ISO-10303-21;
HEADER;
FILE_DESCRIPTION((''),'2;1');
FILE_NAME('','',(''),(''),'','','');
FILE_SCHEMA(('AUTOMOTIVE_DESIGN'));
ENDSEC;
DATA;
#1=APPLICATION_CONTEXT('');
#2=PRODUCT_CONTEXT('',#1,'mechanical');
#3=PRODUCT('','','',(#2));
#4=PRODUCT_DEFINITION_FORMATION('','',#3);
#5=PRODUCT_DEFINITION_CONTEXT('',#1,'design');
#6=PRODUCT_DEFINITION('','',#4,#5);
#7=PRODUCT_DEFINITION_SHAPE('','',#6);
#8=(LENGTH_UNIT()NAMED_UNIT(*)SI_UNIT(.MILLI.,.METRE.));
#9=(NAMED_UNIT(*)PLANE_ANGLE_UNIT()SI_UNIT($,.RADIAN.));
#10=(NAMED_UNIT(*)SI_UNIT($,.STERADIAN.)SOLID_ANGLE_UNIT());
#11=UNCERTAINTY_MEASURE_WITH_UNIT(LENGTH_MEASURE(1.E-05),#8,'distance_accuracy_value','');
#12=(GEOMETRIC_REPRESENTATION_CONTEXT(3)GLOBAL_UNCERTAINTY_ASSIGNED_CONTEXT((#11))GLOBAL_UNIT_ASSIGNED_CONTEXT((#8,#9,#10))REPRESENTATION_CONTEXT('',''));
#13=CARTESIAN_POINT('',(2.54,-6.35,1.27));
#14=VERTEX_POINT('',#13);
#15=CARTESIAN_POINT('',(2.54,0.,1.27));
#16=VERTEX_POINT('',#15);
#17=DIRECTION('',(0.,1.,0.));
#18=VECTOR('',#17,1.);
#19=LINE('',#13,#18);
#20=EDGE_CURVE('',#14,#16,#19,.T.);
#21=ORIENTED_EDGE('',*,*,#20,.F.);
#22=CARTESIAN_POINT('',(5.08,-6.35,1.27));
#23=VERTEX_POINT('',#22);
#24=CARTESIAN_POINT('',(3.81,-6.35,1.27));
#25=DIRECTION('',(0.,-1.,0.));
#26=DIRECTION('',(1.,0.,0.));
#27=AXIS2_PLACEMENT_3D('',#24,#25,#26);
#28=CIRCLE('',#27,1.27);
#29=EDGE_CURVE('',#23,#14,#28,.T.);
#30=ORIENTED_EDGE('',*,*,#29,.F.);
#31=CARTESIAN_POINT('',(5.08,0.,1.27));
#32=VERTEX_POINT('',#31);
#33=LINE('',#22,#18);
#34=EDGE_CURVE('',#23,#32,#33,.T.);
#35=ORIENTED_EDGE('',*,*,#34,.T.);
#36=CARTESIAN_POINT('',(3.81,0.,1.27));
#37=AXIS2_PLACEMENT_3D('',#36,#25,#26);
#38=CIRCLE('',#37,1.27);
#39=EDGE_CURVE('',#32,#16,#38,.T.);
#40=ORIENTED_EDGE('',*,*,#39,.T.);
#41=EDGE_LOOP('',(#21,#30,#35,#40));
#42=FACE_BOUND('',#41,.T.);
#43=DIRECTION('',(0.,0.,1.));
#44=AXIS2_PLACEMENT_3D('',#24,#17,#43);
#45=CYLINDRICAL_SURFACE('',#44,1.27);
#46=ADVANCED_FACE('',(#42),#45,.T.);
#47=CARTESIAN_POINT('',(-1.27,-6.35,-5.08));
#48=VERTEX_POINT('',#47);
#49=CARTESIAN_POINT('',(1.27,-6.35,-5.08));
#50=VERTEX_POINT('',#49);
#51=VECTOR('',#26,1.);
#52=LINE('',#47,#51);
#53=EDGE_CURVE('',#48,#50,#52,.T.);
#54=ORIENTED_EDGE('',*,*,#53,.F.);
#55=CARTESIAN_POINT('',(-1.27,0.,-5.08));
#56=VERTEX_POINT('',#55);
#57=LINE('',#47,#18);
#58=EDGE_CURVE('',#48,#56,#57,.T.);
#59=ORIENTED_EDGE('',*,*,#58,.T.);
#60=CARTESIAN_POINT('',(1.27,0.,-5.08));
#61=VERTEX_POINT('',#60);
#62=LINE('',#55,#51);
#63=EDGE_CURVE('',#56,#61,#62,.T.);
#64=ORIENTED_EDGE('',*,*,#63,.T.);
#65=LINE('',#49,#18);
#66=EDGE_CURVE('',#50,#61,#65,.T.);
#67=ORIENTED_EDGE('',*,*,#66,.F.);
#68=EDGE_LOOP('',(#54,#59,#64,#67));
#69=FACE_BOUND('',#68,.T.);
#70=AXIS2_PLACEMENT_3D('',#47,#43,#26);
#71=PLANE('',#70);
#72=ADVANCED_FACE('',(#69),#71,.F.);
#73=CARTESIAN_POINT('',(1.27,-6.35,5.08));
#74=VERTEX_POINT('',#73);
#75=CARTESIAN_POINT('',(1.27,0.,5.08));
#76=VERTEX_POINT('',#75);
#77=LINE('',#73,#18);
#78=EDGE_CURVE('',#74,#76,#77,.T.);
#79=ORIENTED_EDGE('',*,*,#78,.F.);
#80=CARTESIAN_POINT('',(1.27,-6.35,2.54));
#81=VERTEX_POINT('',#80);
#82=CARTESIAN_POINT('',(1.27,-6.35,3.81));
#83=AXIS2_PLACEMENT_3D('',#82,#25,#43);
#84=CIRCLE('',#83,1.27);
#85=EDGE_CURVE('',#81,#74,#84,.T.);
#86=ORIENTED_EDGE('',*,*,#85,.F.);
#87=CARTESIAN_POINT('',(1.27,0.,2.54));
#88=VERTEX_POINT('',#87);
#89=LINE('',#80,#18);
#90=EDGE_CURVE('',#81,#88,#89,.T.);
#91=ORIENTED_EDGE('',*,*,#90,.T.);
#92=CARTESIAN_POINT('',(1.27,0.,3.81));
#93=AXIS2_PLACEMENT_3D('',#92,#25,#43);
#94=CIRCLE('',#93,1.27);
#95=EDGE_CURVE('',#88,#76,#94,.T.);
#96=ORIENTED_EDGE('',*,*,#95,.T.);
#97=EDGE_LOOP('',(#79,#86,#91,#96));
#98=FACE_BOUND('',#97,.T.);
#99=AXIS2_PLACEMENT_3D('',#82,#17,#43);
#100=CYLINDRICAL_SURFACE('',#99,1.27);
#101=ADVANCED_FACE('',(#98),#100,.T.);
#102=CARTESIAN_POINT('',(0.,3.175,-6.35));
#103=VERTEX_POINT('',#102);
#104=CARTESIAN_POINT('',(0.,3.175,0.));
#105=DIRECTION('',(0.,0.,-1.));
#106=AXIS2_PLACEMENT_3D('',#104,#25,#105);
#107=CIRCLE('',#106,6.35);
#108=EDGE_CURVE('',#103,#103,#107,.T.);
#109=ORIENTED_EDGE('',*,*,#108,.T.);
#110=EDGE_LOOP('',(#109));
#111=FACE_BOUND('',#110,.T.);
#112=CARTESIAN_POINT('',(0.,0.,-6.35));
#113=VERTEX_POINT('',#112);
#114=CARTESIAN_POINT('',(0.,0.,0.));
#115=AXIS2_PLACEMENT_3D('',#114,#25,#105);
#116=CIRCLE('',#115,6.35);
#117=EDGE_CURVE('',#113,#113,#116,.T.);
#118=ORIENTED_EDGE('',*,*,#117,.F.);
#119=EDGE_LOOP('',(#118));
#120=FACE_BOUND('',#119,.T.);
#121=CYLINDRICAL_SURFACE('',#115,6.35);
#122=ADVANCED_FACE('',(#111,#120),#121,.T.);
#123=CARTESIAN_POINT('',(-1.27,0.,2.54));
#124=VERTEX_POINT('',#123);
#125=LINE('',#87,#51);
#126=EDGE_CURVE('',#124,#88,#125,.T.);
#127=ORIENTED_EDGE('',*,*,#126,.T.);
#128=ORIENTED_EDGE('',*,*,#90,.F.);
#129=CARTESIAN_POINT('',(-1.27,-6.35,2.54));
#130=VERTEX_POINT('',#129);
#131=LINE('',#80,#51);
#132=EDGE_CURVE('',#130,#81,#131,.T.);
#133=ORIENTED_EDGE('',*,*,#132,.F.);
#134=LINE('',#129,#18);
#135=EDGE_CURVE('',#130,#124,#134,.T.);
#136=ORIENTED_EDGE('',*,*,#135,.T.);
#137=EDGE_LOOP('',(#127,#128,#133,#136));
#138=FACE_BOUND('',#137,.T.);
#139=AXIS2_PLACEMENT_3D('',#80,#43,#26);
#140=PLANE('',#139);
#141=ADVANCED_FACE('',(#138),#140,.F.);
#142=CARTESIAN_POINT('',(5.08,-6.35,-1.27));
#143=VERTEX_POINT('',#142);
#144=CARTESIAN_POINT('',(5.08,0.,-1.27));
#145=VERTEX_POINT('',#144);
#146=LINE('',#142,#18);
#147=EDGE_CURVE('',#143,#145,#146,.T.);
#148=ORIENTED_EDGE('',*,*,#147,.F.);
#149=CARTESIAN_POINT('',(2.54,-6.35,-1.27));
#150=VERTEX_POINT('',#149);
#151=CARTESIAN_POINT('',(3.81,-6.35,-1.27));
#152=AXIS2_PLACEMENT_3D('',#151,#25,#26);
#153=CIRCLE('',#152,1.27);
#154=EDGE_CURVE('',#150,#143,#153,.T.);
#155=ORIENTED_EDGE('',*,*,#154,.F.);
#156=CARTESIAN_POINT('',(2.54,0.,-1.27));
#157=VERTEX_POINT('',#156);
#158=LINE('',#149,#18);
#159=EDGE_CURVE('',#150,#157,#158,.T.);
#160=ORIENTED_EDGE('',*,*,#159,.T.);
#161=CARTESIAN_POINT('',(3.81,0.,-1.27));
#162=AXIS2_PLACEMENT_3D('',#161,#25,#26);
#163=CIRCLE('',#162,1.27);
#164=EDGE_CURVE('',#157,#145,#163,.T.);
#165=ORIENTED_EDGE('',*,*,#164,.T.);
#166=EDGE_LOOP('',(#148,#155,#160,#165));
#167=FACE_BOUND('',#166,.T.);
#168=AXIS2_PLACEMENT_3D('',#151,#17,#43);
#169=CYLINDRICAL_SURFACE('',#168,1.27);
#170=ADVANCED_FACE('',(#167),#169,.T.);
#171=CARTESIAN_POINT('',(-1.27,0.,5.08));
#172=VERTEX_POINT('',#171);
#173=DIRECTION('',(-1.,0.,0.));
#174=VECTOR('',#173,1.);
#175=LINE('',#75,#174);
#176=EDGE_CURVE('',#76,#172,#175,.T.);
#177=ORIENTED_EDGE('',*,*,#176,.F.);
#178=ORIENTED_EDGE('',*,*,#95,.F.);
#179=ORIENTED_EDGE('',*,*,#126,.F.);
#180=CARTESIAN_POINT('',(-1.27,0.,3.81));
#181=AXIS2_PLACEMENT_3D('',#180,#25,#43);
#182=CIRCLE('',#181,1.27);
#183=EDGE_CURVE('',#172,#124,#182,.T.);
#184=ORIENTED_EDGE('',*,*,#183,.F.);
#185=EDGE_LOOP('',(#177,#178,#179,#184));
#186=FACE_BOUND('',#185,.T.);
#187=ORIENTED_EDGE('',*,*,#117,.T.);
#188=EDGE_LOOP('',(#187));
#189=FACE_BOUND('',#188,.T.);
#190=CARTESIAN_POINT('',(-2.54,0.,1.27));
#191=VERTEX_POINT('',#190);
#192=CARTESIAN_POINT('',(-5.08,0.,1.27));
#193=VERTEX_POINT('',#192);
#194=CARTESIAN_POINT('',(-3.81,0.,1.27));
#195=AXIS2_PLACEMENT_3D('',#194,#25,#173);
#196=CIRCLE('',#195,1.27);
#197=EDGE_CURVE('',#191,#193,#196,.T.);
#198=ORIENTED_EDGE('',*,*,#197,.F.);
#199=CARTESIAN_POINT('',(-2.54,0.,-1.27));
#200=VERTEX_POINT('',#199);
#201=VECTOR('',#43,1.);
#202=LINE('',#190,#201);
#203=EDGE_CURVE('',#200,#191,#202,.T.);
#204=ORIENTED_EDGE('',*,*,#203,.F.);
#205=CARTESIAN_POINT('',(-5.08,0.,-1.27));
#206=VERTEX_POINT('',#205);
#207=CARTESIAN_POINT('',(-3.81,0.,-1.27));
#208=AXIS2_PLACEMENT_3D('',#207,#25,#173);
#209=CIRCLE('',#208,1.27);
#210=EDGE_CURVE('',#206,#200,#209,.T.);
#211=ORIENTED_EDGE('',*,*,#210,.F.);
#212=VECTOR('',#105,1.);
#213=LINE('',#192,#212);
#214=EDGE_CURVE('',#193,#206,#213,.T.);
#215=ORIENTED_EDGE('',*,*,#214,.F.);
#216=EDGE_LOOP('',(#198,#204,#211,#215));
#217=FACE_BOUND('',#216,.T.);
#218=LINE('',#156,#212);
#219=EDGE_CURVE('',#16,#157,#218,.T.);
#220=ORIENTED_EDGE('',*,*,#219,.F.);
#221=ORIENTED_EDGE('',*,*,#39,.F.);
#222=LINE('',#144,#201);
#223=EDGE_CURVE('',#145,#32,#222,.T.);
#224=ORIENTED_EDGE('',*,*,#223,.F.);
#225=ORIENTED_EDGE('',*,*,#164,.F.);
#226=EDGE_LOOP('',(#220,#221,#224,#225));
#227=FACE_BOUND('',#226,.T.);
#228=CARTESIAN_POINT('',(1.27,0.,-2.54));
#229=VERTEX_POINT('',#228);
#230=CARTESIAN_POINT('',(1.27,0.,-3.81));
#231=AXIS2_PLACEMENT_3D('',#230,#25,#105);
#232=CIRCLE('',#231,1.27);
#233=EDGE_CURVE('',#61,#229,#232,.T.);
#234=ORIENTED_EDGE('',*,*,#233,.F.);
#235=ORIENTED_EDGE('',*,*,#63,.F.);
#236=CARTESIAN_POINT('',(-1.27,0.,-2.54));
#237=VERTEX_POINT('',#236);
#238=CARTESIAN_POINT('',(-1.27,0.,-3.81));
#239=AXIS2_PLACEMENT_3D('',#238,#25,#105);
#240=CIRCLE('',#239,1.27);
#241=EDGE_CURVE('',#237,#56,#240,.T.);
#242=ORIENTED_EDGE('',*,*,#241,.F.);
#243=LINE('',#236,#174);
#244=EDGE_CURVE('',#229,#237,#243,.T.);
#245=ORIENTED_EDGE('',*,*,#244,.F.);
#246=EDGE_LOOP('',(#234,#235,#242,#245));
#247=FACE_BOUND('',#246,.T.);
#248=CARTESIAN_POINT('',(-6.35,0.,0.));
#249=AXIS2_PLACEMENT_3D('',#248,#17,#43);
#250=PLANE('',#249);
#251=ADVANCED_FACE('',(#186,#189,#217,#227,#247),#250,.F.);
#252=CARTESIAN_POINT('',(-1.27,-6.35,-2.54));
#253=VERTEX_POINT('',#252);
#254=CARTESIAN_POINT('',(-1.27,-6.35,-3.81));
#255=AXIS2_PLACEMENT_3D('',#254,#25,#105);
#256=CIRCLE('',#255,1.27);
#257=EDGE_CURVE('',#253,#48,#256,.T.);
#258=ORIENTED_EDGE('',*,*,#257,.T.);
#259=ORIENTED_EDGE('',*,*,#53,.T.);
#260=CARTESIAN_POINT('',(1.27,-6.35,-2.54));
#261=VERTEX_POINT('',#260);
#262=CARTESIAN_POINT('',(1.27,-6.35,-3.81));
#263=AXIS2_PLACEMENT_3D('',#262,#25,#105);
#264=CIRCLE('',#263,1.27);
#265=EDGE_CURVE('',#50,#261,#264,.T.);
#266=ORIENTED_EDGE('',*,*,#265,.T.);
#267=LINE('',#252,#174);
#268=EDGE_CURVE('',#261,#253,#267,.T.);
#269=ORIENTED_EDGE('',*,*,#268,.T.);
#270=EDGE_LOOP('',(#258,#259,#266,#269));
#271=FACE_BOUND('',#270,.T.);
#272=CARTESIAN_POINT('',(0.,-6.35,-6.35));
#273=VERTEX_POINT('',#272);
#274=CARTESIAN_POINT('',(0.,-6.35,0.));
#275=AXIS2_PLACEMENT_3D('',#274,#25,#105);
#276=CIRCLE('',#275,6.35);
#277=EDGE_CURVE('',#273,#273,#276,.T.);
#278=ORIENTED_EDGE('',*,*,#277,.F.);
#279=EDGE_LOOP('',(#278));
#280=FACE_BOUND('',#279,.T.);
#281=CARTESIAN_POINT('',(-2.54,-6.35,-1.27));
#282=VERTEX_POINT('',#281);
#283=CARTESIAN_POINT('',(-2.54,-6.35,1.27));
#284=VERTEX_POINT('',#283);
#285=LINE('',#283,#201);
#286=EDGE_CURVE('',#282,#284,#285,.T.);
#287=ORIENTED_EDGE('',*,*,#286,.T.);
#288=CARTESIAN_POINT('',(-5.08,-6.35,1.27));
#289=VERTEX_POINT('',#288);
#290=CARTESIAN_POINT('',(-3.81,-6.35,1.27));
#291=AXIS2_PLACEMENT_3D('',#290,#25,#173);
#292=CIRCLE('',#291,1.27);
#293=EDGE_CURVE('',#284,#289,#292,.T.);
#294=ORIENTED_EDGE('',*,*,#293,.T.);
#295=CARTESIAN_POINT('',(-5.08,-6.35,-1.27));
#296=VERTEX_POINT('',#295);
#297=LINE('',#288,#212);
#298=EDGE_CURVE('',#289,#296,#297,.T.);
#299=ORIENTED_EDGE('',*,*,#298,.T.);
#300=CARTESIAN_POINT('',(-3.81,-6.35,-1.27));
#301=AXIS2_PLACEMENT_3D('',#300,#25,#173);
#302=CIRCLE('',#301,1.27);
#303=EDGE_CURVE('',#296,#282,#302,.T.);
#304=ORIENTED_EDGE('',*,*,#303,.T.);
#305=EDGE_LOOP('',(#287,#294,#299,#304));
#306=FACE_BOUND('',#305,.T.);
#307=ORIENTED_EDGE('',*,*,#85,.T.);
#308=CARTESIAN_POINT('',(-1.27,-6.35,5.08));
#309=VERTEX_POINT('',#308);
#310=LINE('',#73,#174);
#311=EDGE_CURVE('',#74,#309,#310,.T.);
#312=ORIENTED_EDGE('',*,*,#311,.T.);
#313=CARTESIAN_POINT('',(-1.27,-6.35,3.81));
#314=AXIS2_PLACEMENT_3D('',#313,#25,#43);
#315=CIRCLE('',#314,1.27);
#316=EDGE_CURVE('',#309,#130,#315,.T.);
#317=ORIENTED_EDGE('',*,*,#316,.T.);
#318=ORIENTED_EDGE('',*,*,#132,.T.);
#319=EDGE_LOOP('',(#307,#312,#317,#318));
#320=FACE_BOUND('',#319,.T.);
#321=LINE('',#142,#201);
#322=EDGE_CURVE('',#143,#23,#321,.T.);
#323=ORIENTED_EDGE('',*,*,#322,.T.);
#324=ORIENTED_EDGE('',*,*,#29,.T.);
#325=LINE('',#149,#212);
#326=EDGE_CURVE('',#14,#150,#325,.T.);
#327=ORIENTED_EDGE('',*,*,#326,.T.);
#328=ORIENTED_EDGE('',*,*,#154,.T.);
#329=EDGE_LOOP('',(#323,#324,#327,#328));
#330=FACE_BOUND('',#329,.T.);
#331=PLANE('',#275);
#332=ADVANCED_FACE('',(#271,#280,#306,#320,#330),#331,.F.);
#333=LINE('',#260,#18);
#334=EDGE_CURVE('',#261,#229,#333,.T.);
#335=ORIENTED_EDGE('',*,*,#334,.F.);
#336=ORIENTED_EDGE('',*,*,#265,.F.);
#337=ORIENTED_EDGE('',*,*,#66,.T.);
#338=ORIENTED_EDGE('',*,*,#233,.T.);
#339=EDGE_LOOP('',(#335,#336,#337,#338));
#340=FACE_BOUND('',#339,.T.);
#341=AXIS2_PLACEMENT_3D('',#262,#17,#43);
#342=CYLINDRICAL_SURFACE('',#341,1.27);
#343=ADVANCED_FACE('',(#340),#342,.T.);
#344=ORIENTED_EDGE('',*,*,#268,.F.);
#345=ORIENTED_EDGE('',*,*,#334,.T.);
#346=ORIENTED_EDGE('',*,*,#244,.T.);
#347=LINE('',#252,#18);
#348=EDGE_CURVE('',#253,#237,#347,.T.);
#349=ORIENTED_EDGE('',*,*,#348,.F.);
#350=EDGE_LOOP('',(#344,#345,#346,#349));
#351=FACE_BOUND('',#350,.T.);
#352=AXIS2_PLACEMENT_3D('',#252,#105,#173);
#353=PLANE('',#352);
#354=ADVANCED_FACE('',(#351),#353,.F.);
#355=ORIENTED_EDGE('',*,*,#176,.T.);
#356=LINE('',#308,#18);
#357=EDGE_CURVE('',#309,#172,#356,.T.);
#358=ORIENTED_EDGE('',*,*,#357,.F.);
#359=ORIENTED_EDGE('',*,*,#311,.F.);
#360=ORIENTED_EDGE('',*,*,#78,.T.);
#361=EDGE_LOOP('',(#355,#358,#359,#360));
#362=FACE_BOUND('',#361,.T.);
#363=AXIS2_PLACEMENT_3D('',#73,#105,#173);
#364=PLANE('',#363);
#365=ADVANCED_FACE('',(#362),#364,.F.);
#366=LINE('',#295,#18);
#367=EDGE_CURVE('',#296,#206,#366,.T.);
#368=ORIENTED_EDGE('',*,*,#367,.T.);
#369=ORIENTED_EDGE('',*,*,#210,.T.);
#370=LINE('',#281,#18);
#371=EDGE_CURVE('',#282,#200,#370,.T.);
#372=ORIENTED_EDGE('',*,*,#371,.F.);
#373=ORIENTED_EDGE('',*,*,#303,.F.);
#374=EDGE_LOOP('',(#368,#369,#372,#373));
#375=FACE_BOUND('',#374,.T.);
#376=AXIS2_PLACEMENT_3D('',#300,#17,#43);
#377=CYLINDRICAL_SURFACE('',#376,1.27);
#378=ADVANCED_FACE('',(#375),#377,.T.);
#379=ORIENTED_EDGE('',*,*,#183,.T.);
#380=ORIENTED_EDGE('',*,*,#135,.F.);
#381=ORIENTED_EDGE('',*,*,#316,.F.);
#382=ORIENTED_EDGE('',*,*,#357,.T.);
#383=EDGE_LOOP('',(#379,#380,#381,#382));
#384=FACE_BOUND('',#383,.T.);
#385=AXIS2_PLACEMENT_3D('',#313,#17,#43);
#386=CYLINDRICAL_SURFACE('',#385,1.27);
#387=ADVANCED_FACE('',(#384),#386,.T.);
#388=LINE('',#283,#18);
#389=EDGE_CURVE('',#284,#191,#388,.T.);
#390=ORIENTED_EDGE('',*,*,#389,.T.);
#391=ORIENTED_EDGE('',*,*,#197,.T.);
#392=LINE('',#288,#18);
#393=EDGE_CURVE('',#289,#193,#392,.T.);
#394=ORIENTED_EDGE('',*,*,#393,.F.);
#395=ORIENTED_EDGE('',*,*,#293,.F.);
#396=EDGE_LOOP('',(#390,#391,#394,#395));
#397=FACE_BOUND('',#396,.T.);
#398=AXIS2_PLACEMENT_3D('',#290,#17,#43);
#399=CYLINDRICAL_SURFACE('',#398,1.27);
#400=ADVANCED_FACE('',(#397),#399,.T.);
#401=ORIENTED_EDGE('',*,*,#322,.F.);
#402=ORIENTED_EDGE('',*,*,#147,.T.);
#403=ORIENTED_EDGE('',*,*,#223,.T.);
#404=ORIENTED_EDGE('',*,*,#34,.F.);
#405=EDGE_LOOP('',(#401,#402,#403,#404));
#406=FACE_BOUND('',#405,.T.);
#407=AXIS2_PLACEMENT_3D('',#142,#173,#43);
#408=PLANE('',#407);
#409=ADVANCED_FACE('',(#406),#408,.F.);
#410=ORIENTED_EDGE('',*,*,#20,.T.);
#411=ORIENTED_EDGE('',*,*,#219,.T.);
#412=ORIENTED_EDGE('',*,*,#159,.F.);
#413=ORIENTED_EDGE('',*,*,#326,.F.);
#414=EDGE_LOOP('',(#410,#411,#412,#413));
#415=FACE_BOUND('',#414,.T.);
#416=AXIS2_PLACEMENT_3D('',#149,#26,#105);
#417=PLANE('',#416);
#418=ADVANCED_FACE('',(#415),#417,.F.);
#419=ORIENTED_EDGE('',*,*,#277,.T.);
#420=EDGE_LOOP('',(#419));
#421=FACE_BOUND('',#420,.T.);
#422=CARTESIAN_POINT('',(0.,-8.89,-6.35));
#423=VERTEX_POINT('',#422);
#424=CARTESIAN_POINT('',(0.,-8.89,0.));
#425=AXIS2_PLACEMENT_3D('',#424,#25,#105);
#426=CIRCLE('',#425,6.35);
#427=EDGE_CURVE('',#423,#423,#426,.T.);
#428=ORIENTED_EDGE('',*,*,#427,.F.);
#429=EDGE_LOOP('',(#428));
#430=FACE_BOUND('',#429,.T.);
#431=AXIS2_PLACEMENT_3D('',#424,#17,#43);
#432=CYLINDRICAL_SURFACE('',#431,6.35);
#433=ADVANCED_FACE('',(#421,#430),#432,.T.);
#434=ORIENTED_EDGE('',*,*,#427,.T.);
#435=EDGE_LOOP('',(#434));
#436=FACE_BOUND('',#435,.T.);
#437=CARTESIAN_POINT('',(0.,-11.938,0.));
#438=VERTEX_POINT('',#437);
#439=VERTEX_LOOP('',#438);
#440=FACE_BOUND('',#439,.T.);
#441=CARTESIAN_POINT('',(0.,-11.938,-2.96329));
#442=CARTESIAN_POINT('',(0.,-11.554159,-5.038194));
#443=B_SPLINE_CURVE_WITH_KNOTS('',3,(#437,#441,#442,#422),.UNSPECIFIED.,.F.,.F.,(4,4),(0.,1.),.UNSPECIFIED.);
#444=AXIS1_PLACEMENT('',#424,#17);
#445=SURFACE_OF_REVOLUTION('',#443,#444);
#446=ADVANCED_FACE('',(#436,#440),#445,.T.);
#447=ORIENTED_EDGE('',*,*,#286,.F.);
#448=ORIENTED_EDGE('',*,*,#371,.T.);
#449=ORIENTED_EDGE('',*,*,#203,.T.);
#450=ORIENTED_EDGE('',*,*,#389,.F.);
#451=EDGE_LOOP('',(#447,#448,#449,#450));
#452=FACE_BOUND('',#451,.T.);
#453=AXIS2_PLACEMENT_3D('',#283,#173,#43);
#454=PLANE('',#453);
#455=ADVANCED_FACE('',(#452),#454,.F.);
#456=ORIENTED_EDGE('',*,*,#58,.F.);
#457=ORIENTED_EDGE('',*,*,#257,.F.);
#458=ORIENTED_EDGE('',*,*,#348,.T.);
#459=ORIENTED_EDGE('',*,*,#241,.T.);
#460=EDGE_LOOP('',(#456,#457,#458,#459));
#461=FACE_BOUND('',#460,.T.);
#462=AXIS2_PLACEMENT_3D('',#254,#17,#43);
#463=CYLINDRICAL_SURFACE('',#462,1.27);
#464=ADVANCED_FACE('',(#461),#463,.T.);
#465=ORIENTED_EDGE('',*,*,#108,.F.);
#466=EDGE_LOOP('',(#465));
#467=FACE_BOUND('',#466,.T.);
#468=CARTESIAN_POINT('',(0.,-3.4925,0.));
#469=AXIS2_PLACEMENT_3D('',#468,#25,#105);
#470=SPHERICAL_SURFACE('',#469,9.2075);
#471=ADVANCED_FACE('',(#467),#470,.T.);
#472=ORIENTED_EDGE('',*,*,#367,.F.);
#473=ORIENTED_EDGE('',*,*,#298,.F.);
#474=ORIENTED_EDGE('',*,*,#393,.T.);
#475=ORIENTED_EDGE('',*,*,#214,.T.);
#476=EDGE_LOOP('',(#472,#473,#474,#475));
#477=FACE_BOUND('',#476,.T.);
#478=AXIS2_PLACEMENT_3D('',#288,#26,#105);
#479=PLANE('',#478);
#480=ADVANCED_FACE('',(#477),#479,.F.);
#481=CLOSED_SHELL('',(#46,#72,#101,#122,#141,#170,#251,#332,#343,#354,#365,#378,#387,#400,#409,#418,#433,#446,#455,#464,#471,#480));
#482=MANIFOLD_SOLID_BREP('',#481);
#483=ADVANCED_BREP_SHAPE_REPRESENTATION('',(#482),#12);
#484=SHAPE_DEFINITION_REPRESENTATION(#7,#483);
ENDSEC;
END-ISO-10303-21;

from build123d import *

# Parameters (mm, degrees)
SKETCH1_W             = 6.35
SKETCH1_H             = 3.175
DOMEY_TOP_FACE_RADIUS = 6.35
DOMEY_TOP_HEIGHT      = 2.54
ONE_LEG_DEPTH         = 6.35
ALL_LEGS_COUNT        = 4
BASE_START            = 2.54
SKETCH3_R             = 6.35
BASE_DEPTH            = 2.54


with BuildPart() as part:
    # Sketch1 → button top (revolve)
    with BuildSketch(Plane.XY, mode=Mode.PRIVATE) as button_top_sk:
        with Locations((-3.175, 1.5875)):
            Rectangle(SKETCH1_W, SKETCH1_H)
    revolve(button_top_sk.sketch.rotate(Axis((0, 0, 0), (0, 1, 0)), 270), axis=Axis((0, 0, 0), (0, 1, 0)))

    # domey top: a dome of height H over a round flat face of radius A is a cap of a sphere of radius (A * A + H * H) / (2 * H)
    domey_top_r = (DOMEY_TOP_FACE_RADIUS * DOMEY_TOP_FACE_RADIUS + DOMEY_TOP_HEIGHT * DOMEY_TOP_HEIGHT) / (2 * DOMEY_TOP_HEIGHT)
    domey_top_base = Plane((0, 3.175, 0), z_dir=(0, 1, 0))
    with Locations(domey_top_base.offset(DOMEY_TOP_HEIGHT - domey_top_r)):
        domey_top_ball = Sphere(domey_top_r, mode=Mode.PRIVATE)
    add(split(domey_top_ball, bisect_by=domey_top_base, keep=Keep.TOP, mode=Mode.PRIVATE))

    # Sketch2 → one leg (add)
    with BuildSketch(Plane.XZ):
        with BuildLine():
            Line((-1.27, -2.54), (1.27, -2.54))
            ThreePointArc((1.27, -2.54), (2.54, -3.81), (1.27, -5.08))
            Line((1.27, -5.08), (-1.27, -5.08))
            ThreePointArc((-1.27, -5.08), (-2.54, -3.81), (-1.27, -2.54))
        make_face()
    one_leg = extrude(amount=ONE_LEG_DEPTH)

    # all legs: one leg ×4 about axis
    all_legs_axis = Axis((0, 0, 0), (0, 1, 0))
    for i in range(1, ALL_LEGS_COUNT):
        add(one_leg.rotate(all_legs_axis, i * 360 / ALL_LEGS_COUNT))

    # Sketch3 → base (add)
    with BuildSketch(Plane.XZ.offset(6.35).offset(BASE_START)):
        with Locations(Location((0, 0, 0), (0, 0, 270))):
            Circle(SKETCH3_R)
    extrude(amount=-BASE_DEPTH)

    # Sketch6 → Revolve2 (revolve)
    with BuildSketch(Plane(origin=(0, 0, 0), x_dir=(0, 0, -1), z_dir=(1, 0, 0))):
        with BuildLine():
            Line((0, -8.89), (0, -11.938))
            add(Edge.make_bspline(
                [(0, -11.938), (2.963289741, -11.938), (5.038193669, -11.554158935), (6.35, -8.89)],
                knots=[0, 0, 0, 0, 1, 1, 1, 1], degree=3))
            Line((6.35, -8.89), (0, -8.89))
        make_face()
    revolve(axis=Axis((0, -8.89, 0), (0, -1, 0)))


solid = part.part
